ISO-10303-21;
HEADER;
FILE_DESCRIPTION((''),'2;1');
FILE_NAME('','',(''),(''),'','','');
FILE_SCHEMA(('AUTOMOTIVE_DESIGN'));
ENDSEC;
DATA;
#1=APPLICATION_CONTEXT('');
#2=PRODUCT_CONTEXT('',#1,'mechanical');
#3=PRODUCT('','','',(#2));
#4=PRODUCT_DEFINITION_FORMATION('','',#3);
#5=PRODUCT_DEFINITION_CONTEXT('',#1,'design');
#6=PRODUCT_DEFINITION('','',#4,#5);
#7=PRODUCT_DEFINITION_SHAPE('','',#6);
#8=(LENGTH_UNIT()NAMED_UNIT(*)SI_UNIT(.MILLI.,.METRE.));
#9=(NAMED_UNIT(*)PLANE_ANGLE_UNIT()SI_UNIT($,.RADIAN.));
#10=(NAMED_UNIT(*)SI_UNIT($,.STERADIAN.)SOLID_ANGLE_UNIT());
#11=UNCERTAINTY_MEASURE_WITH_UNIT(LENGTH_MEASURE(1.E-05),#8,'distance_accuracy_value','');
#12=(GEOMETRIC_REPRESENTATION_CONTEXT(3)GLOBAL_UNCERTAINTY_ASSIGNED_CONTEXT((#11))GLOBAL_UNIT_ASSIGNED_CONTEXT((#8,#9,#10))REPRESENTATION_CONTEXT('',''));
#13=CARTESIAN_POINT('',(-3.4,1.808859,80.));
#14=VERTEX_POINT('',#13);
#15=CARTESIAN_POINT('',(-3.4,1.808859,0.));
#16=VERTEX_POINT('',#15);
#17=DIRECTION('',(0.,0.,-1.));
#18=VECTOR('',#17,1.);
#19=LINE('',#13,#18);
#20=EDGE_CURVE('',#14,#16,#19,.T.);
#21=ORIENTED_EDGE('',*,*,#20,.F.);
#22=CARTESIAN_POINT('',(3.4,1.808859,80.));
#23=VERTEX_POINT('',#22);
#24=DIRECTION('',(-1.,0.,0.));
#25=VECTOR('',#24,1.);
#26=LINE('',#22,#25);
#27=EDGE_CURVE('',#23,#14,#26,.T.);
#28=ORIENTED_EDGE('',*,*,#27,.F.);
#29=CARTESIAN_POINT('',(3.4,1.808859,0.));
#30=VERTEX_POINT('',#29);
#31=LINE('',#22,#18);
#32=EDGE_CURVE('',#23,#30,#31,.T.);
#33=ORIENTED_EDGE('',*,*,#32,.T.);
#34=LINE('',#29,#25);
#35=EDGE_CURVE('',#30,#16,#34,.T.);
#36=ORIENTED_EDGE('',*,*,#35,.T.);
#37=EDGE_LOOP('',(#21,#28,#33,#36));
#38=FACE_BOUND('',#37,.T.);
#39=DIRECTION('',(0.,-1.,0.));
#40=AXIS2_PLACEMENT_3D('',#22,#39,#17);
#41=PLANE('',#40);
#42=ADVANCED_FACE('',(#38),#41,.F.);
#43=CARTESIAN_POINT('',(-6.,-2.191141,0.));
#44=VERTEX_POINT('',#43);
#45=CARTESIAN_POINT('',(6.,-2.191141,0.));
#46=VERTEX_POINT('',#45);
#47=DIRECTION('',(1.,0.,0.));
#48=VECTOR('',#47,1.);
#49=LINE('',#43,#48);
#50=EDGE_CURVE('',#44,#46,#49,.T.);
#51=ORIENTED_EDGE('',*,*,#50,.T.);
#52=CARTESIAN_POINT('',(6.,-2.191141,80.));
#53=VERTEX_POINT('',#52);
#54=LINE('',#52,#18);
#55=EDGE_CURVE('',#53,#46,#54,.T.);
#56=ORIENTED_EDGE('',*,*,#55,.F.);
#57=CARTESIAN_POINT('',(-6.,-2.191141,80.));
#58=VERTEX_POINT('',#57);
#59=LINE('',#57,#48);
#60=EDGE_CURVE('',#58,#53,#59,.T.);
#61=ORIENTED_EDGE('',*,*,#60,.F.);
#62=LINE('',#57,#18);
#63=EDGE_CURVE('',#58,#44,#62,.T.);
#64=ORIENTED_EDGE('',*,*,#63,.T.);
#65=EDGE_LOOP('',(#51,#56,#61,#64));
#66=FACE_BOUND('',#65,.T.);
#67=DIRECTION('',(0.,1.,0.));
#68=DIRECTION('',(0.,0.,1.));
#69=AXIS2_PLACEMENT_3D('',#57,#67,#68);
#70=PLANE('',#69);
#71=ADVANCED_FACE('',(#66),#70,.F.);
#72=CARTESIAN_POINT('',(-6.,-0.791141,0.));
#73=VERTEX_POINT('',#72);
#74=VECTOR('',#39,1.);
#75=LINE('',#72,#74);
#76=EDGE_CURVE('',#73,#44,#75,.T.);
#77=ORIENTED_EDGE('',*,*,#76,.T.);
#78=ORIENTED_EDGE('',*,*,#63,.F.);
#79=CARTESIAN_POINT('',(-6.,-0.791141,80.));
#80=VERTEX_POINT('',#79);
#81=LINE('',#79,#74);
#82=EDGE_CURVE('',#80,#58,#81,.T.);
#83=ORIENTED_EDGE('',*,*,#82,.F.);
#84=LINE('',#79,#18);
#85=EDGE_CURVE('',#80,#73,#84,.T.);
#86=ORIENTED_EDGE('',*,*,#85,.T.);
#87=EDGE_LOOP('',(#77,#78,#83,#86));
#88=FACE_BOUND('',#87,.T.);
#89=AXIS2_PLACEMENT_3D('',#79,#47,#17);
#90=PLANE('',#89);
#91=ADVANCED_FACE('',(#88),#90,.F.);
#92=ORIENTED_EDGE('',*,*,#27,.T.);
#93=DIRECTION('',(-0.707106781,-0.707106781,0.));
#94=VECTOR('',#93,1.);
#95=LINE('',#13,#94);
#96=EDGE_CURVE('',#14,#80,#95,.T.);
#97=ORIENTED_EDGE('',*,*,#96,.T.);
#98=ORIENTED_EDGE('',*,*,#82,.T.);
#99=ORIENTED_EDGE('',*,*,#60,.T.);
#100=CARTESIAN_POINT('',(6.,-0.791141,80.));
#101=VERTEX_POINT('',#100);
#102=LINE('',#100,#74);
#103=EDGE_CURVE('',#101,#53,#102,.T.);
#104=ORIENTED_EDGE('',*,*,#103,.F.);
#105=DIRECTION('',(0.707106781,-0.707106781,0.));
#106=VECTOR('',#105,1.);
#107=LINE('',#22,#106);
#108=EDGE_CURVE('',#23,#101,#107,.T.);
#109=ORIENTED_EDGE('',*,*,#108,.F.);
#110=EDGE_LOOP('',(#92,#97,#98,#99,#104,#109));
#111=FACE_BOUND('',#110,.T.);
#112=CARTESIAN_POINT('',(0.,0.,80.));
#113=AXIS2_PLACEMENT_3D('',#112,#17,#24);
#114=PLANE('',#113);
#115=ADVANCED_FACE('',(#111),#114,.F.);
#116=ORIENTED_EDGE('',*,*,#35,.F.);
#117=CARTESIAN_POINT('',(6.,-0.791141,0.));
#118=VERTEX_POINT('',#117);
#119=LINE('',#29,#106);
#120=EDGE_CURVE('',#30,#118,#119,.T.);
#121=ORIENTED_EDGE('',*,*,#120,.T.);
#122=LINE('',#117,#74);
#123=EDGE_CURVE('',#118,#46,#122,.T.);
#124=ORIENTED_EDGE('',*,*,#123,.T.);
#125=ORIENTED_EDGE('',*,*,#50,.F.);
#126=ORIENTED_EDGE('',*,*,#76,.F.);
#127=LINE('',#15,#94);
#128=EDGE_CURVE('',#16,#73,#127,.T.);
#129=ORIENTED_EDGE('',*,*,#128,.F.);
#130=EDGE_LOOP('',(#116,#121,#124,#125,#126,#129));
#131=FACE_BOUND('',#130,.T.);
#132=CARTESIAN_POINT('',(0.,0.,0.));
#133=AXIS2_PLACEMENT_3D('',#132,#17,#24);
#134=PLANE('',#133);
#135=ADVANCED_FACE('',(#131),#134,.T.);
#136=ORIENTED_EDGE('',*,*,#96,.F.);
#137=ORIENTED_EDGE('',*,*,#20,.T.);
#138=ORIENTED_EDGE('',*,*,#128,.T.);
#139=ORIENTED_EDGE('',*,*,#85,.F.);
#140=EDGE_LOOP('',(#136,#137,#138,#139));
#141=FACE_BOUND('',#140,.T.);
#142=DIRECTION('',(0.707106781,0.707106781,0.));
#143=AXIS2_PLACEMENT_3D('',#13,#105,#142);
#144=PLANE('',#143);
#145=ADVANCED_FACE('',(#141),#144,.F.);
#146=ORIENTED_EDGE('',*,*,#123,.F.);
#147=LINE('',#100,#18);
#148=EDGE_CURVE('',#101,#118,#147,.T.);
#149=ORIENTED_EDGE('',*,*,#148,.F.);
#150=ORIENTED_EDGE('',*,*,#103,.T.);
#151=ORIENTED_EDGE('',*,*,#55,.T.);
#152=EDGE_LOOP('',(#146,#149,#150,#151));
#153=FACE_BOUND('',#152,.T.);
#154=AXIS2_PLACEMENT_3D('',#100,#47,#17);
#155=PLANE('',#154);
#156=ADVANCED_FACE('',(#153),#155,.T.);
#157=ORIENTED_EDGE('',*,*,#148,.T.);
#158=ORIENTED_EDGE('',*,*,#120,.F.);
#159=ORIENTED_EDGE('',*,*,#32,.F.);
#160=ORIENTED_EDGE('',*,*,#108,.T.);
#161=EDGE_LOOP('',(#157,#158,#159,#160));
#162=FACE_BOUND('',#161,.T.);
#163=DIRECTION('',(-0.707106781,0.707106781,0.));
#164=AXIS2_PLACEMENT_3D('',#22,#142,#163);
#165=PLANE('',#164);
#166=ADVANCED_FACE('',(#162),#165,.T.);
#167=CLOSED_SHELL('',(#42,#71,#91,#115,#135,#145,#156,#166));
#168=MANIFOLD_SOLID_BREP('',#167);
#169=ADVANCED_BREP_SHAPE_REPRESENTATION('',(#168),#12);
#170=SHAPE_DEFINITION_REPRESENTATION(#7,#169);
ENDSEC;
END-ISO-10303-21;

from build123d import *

# Parameters (mm, degrees)
AUFSATZ_LINEAR_AUSTRAGEN1_DEPTH = 80


with BuildPart() as part:
    # Skizze1 → Aufsatz-Linear austragen1 (new body)
    with BuildSketch(Plane.XY):
        Polygon((3.4, 1.808858787), (-3.4, 1.808858787), (-6, -0.791141213), (-6, -2.191141213), (6, -2.191141213), (6, -0.791141213), align=None)
    extrude(amount=AUFSATZ_LINEAR_AUSTRAGEN1_DEPTH)


solid = part.part
